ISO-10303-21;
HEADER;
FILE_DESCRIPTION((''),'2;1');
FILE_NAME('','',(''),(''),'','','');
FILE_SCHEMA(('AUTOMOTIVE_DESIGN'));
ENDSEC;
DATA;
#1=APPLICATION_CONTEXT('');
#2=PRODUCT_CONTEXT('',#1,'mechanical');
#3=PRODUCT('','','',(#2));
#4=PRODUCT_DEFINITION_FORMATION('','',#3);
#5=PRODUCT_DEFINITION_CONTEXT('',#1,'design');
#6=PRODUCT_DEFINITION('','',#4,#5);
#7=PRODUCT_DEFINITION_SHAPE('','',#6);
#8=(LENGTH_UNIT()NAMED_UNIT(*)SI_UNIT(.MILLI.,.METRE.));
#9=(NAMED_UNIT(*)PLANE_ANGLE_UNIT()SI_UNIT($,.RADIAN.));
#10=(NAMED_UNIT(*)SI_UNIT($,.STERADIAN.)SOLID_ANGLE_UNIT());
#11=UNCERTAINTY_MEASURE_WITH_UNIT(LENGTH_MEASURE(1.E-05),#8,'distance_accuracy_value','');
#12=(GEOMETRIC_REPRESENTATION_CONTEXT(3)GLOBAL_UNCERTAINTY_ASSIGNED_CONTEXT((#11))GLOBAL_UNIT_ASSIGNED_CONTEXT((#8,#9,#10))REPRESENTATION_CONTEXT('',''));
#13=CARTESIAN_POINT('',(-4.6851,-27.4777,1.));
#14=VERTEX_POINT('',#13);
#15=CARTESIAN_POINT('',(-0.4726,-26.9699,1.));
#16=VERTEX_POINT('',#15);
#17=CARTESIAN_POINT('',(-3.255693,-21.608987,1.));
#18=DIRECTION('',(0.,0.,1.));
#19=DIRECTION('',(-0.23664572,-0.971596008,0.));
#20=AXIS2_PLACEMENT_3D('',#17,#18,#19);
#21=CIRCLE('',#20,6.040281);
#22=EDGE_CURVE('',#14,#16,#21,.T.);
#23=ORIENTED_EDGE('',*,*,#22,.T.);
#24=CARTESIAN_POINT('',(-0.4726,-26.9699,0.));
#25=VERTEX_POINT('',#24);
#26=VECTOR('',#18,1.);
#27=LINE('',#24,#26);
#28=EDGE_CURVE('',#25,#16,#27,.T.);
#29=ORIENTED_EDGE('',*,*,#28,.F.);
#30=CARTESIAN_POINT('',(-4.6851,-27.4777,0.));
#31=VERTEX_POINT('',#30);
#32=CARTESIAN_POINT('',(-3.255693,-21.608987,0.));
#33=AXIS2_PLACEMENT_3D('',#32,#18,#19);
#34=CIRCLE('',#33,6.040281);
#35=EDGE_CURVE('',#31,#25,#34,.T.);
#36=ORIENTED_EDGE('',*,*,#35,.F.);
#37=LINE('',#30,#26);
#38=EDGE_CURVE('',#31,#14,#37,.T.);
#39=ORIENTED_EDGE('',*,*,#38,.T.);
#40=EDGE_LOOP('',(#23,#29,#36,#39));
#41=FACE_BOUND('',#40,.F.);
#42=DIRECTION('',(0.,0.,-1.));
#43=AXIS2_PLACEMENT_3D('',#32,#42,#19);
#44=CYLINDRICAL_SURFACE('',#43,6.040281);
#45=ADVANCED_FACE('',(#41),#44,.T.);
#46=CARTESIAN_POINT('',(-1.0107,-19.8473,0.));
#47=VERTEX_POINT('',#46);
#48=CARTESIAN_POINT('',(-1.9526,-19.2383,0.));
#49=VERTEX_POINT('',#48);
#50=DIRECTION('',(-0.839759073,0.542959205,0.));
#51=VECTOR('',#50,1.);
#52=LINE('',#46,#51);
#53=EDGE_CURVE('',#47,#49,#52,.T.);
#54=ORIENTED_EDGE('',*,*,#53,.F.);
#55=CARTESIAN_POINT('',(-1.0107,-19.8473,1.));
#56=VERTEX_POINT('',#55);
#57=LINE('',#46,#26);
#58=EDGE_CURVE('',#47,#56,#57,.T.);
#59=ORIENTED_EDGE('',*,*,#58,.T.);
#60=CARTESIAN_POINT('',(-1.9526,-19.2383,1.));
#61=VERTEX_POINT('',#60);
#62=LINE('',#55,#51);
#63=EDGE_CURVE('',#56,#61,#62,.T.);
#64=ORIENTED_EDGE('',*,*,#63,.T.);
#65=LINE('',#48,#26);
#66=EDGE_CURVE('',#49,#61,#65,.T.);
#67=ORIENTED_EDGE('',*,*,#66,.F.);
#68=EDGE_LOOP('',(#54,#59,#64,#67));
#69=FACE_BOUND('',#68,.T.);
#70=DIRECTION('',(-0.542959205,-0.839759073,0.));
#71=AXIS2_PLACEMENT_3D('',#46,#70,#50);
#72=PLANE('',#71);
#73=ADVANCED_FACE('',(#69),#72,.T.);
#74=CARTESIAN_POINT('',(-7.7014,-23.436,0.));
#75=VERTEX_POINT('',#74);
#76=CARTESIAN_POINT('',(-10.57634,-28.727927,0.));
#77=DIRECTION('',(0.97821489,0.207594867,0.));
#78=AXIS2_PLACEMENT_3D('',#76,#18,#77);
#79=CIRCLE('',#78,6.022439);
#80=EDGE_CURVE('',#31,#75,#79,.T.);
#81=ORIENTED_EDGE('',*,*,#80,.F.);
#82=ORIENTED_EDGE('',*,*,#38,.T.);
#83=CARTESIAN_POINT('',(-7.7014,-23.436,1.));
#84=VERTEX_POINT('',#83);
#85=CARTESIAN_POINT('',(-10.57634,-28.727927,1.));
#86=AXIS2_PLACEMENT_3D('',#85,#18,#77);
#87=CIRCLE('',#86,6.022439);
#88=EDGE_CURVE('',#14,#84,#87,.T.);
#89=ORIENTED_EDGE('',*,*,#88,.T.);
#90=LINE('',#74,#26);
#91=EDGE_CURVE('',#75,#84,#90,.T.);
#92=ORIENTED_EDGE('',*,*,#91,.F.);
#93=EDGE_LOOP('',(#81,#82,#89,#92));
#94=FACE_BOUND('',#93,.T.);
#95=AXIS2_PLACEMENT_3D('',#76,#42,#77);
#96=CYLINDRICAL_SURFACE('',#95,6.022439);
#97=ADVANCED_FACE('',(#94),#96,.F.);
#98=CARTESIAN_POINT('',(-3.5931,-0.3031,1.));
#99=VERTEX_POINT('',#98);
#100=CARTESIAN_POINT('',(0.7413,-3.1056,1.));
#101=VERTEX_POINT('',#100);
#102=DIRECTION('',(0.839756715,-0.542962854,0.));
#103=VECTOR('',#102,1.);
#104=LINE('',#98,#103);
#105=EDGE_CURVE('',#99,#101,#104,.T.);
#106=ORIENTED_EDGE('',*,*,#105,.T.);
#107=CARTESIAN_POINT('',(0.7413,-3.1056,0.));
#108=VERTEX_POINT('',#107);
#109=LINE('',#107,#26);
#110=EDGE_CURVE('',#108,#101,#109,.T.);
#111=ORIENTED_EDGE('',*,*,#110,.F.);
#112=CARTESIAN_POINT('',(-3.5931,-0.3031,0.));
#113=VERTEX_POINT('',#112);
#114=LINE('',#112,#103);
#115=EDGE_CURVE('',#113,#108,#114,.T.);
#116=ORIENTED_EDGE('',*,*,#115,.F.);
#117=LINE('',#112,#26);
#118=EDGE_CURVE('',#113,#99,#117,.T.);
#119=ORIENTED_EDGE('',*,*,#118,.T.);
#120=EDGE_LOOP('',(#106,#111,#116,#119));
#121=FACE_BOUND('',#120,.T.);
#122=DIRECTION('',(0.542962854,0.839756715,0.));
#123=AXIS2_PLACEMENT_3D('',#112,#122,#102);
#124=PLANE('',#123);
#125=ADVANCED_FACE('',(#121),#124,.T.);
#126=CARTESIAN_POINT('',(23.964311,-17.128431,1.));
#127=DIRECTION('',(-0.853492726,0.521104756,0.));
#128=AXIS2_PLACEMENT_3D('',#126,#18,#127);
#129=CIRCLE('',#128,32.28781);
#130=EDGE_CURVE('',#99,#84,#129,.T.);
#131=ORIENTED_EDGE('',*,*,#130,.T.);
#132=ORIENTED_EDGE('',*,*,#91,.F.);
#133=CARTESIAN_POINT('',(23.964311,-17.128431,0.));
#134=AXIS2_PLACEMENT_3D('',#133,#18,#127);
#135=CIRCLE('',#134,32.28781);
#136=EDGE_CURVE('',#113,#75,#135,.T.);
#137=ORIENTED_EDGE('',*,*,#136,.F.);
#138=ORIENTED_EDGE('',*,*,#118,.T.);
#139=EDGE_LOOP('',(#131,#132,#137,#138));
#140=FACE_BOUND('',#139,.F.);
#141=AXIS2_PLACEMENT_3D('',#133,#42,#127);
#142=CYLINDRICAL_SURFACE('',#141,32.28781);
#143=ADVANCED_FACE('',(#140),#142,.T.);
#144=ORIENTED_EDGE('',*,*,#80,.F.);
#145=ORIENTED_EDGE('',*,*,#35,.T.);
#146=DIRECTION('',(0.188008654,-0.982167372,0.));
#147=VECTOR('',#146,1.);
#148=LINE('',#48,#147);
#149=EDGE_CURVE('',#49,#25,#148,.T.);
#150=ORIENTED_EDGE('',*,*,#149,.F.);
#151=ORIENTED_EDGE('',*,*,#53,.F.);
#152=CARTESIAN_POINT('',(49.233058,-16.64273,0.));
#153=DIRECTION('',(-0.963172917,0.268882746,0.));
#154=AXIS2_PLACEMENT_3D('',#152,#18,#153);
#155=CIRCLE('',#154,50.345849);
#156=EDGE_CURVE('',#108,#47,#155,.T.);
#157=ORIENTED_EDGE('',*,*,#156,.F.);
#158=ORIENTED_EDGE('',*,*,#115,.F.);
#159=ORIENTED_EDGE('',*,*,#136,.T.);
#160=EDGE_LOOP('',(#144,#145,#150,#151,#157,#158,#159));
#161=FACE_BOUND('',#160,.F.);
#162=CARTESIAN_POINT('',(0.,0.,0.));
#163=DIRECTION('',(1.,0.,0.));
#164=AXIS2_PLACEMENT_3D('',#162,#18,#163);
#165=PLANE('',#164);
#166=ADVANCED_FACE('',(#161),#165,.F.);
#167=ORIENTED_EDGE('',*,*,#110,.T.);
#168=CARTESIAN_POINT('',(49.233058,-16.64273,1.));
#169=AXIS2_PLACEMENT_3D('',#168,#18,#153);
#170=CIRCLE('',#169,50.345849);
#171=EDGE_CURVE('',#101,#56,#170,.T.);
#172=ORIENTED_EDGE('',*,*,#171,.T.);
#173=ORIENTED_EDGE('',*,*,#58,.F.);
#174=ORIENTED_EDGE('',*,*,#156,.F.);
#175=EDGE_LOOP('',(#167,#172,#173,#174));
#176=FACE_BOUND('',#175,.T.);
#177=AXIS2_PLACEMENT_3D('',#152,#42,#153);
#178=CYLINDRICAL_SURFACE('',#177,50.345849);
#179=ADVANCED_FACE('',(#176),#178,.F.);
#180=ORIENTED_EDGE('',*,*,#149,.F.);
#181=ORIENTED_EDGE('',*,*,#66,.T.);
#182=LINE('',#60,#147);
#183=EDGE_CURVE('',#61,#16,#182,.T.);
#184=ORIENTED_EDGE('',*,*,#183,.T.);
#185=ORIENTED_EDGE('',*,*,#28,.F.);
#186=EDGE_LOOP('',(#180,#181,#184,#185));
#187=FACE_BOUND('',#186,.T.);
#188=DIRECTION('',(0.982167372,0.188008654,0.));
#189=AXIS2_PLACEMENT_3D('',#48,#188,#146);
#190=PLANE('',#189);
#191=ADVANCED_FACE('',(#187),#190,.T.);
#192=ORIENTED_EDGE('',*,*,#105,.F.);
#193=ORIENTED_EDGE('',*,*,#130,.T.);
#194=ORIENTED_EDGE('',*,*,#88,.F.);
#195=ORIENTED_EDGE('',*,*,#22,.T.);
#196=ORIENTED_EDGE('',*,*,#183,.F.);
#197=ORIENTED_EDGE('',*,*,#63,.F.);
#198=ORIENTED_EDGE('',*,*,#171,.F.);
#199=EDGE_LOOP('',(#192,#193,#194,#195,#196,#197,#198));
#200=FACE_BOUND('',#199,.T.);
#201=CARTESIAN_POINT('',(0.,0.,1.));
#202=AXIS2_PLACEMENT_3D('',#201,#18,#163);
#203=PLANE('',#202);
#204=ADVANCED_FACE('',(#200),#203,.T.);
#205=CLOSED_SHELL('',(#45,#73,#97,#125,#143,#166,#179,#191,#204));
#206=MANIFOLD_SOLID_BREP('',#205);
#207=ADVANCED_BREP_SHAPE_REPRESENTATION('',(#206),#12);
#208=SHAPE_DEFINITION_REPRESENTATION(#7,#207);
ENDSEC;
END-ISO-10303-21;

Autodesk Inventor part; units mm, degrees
ref_plane "YZ Plane" through (0, 0, 0) normal (1, 0, 0) x (0, 1, 0)
ref_plane "XZ Plane" through (0, 0, 0) normal (0, 1, 0) x (-1, 0, 0)
ref_plane "XY Plane" through (0, 0, 0) normal (0, 0, 1) x (1, 0, 0)
sketch "Sketch1" plane through (0, 0, 0) normal (0, 0, 1) x (1, 0, 0)
  line L0 (-1.9526, -19.2383) -> (-0.4726, -26.9699)
  line L1 (-1.0107, -19.8473) -> (-1.9526, -19.2383)
  arc A0 (0.7413, -3.1056) -> (-1.0107, -19.8473) centre (49.2329, -16.6427) ccw
  line L2 (-3.5931, -0.3031) -> (0.7413, -3.1056)
  arc A1 (-3.5931, -0.3031) -> (-7.7014, -23.436) centre (23.9637, -17.1282) ccw
  arc A2 (-4.6851, -27.4777) -> (-7.7014, -23.436) centre (-10.5765, -28.728) ccw
  arc A3 (-4.6851, -27.4777) -> (-0.4726, -26.9699) centre (-3.2557, -21.6091) ccw
extrude "Extrusion1" add sketch "Sketch1" along normal blind 1
properties part number "cueromango"
